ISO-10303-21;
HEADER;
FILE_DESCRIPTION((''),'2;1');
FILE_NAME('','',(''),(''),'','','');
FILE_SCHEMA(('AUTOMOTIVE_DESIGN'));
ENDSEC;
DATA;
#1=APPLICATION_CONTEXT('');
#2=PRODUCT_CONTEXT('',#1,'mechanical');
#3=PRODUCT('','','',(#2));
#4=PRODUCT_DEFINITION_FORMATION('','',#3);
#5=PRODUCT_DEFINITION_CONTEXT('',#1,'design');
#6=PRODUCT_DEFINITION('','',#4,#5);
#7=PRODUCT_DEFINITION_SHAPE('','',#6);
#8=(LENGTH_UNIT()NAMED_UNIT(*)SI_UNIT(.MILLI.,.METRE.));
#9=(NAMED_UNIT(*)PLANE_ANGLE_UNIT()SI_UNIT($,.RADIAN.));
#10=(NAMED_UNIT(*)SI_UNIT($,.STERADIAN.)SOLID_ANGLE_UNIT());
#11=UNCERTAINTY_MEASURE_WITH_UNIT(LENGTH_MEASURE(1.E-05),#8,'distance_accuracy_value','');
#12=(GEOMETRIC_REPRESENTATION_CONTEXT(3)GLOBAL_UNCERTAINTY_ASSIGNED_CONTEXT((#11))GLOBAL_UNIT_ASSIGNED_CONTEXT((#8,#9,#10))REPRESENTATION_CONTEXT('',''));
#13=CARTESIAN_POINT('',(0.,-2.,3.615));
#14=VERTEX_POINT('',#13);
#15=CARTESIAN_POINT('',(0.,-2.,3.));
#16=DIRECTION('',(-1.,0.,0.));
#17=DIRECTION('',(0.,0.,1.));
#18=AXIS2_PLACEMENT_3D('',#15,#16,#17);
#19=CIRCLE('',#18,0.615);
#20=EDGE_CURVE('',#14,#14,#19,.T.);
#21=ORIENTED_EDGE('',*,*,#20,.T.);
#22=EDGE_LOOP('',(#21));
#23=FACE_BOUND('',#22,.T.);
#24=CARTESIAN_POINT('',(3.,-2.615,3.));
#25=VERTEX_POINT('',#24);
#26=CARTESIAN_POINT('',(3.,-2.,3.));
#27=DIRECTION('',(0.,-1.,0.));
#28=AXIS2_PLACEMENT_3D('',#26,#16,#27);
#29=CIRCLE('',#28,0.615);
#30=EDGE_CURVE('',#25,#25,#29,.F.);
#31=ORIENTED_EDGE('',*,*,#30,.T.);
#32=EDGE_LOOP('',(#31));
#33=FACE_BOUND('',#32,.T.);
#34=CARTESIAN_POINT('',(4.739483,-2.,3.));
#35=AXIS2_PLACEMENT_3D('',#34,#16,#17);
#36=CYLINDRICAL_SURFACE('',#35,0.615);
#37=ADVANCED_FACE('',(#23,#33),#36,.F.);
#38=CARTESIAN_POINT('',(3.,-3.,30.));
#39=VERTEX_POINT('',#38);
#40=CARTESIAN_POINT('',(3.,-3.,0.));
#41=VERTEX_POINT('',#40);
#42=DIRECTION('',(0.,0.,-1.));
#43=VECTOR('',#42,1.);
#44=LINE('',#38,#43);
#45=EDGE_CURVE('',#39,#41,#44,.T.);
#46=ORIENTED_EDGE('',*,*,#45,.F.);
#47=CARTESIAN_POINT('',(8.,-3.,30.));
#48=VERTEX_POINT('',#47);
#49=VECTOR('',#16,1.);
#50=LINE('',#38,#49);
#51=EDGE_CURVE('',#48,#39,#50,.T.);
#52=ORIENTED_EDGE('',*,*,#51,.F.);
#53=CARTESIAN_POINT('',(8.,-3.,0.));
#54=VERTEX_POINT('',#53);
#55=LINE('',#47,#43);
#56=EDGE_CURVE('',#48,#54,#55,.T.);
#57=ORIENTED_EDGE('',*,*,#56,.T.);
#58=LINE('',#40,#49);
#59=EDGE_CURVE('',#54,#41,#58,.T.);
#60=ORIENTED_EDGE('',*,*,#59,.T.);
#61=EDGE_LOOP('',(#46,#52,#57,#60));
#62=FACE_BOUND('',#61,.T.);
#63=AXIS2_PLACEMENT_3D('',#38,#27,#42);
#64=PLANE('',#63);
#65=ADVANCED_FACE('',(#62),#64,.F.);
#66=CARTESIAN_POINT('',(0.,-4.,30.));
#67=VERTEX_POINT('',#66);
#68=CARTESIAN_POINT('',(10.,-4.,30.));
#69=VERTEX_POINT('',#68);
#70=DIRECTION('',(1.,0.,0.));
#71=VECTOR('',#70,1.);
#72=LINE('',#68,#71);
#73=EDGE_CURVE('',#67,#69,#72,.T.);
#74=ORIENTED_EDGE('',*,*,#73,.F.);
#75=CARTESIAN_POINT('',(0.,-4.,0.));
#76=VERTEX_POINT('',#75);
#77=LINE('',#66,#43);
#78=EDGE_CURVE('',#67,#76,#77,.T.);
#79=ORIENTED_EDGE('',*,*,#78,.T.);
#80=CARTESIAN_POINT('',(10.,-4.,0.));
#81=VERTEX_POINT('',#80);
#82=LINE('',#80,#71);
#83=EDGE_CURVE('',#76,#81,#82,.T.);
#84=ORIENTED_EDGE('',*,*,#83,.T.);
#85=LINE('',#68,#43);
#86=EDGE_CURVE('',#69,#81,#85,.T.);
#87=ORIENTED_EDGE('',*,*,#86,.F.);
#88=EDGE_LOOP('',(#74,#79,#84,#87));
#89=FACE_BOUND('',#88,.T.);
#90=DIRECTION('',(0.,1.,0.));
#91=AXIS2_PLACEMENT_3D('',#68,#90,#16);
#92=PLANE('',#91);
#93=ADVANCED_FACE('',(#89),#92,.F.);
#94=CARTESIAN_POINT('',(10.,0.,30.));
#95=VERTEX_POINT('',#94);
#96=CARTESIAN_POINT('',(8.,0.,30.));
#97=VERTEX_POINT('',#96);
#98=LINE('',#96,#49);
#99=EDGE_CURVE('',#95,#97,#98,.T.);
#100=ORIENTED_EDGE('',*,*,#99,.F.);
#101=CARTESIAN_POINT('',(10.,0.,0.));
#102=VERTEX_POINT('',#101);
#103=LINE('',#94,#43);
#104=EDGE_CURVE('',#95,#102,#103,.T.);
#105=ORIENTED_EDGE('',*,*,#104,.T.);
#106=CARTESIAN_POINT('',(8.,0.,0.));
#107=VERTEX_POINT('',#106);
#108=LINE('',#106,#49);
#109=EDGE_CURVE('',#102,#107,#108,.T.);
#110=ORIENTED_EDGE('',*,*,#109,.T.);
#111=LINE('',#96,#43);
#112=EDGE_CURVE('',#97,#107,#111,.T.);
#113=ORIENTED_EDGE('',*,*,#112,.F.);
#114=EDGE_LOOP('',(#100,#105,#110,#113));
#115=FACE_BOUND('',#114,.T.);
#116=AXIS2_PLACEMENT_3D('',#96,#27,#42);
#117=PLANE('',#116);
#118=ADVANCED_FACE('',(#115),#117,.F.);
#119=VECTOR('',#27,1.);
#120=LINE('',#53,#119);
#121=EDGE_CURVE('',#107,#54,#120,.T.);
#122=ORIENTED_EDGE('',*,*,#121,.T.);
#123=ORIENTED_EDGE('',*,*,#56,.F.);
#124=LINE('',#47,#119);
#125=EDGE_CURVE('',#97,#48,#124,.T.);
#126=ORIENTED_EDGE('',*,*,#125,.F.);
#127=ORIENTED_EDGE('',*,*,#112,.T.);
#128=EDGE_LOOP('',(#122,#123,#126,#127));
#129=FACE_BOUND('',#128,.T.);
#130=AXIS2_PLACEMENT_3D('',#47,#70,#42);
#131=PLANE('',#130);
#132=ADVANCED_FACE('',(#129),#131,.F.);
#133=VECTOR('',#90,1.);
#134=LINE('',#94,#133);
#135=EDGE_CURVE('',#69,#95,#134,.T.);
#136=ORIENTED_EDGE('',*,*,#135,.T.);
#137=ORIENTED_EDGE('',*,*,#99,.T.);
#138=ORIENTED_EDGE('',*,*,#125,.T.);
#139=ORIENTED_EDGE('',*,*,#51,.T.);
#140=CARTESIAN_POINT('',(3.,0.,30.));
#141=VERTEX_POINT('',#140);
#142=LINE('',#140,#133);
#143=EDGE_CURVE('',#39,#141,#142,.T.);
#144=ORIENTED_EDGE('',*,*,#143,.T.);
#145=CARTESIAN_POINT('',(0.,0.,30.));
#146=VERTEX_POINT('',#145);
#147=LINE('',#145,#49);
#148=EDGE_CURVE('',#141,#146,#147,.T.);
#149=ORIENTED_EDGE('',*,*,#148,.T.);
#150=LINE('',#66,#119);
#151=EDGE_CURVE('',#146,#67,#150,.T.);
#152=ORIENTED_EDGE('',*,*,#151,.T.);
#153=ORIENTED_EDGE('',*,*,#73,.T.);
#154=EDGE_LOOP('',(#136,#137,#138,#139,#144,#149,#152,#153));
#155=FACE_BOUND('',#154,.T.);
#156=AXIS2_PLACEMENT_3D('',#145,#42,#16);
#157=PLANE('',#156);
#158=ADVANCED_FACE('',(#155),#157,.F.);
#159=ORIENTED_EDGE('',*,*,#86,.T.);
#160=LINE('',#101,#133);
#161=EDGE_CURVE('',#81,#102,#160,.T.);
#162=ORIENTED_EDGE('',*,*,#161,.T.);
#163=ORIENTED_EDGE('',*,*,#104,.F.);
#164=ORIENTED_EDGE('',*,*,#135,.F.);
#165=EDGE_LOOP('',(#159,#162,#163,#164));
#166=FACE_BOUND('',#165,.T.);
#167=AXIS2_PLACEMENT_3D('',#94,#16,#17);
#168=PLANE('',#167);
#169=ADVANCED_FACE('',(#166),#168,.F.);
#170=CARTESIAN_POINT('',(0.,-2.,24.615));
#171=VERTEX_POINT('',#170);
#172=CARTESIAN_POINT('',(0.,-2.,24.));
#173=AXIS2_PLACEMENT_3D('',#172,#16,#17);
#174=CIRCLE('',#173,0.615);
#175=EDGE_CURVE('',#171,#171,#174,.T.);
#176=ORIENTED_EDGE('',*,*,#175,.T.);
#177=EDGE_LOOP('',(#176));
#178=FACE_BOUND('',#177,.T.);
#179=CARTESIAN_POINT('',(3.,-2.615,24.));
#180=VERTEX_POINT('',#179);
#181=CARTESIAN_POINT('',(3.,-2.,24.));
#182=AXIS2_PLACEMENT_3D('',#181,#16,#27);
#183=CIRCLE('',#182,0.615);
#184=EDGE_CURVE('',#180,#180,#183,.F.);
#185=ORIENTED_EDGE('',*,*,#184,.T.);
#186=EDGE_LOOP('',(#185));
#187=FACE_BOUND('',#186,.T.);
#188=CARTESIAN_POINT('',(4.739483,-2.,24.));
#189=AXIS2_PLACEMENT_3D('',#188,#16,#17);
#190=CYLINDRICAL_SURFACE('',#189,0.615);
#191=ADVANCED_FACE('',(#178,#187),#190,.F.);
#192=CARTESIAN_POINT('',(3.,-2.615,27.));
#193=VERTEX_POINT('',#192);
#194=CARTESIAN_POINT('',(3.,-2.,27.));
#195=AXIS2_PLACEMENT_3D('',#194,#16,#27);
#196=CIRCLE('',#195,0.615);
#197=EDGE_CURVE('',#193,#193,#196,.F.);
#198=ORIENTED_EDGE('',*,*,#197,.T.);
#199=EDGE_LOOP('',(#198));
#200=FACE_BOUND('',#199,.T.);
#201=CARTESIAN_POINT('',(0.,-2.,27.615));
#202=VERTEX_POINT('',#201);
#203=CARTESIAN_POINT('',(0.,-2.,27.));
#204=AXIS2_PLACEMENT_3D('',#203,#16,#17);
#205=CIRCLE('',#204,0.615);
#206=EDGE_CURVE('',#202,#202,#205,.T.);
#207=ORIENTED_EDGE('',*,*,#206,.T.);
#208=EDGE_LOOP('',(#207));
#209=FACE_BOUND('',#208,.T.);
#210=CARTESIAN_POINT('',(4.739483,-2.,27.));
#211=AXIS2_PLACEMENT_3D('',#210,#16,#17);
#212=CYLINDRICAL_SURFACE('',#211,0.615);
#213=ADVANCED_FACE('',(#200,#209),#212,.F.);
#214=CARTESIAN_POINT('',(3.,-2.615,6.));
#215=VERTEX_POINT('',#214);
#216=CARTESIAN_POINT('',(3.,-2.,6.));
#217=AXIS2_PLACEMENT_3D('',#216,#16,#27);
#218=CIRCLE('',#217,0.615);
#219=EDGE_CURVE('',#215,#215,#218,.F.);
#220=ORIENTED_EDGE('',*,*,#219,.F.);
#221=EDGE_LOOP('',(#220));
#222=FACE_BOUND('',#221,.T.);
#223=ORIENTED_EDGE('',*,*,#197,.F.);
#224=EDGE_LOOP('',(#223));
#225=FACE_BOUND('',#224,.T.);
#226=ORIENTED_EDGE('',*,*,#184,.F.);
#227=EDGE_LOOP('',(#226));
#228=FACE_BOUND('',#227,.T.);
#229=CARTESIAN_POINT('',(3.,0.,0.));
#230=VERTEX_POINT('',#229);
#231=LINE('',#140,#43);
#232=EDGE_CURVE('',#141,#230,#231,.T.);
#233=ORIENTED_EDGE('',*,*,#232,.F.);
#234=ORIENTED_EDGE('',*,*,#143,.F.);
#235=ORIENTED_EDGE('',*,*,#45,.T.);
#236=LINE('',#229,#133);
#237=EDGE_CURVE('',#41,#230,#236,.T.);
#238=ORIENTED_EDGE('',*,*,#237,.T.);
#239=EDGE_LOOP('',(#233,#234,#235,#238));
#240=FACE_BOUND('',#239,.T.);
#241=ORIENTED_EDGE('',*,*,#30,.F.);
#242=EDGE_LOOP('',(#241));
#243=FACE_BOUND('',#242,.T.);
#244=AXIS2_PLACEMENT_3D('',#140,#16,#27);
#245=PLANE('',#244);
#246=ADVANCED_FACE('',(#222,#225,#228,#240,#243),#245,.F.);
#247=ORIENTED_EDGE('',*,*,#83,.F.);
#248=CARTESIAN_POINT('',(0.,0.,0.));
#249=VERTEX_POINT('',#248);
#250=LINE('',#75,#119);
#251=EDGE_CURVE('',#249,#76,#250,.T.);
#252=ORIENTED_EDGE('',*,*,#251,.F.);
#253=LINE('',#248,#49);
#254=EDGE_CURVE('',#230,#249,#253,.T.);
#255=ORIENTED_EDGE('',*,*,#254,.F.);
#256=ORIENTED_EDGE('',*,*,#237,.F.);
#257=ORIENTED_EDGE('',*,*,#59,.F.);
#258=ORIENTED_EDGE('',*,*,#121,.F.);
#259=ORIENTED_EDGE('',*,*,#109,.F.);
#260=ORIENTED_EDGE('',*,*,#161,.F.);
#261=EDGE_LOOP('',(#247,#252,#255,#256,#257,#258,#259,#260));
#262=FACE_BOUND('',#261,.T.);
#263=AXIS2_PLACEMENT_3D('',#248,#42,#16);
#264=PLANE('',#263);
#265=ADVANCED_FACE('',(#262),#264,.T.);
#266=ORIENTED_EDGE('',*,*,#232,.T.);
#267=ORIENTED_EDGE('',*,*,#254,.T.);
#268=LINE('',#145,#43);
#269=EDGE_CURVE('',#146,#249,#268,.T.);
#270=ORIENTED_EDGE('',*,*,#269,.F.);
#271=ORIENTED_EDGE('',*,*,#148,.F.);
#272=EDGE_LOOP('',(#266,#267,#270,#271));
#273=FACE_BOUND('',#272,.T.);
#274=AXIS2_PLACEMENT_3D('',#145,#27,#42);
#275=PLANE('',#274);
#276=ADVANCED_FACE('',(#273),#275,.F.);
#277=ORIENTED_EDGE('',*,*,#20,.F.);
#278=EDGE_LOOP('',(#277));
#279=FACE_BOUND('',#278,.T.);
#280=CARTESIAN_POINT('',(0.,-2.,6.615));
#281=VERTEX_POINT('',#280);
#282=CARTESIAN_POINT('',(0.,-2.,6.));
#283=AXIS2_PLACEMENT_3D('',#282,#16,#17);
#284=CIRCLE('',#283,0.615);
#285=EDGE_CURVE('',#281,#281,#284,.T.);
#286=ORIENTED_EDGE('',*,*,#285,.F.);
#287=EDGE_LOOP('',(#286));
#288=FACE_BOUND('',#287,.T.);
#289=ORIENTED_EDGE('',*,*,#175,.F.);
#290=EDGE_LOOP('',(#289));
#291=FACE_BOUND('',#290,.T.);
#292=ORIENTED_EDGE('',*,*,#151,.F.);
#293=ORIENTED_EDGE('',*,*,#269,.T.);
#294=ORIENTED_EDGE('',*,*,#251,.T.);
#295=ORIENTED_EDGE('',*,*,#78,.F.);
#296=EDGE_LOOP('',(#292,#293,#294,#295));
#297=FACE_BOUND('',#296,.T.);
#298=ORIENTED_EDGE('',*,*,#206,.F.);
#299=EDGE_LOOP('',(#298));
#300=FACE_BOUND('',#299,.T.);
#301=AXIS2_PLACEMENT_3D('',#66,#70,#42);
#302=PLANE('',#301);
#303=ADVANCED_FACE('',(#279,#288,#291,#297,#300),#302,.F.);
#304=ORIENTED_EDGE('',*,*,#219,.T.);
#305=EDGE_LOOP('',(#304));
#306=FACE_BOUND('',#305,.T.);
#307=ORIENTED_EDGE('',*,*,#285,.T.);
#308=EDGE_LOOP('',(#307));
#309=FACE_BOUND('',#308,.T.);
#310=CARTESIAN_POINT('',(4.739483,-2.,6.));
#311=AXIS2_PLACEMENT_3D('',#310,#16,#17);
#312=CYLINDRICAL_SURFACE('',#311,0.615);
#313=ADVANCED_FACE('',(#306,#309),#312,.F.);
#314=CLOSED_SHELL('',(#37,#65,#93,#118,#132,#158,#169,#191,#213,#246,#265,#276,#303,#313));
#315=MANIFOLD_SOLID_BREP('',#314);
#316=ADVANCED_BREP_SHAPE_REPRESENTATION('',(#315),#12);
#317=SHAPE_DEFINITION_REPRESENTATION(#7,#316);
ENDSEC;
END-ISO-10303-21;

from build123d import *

# Parameters (mm, degrees)
BOSS_EXTRUDE1_DEPTH = 30
SKETCH2_R           = 0.615
CUT_EXTRUDE1_DEPTH  = 3


with BuildPart() as part:
    # Sketch1 → Boss-Extrude1 (new body)
    with BuildSketch(Plane.XY):
        Polygon((0, 0), (3, 0), (3, -3), (8, -3), (8, 0), (10, 0), (10, -4), (0, -4), align=None)
    extrude(amount=BOSS_EXTRUDE1_DEPTH)

    # Sketch2 → Cut-Extrude1 (cut)
    with BuildSketch(Plane.ZY):
        with Locations((3, -2)):
            Circle(SKETCH2_R)
        with Locations((6, -2)):
            Circle(SKETCH2_R)
        with Locations((24, -2)):
            Circle(SKETCH2_R)
        with Locations((27, -2)):
            Circle(SKETCH2_R)
    extrude(amount=-CUT_EXTRUDE1_DEPTH, mode=Mode.SUBTRACT)


solid = part.part
